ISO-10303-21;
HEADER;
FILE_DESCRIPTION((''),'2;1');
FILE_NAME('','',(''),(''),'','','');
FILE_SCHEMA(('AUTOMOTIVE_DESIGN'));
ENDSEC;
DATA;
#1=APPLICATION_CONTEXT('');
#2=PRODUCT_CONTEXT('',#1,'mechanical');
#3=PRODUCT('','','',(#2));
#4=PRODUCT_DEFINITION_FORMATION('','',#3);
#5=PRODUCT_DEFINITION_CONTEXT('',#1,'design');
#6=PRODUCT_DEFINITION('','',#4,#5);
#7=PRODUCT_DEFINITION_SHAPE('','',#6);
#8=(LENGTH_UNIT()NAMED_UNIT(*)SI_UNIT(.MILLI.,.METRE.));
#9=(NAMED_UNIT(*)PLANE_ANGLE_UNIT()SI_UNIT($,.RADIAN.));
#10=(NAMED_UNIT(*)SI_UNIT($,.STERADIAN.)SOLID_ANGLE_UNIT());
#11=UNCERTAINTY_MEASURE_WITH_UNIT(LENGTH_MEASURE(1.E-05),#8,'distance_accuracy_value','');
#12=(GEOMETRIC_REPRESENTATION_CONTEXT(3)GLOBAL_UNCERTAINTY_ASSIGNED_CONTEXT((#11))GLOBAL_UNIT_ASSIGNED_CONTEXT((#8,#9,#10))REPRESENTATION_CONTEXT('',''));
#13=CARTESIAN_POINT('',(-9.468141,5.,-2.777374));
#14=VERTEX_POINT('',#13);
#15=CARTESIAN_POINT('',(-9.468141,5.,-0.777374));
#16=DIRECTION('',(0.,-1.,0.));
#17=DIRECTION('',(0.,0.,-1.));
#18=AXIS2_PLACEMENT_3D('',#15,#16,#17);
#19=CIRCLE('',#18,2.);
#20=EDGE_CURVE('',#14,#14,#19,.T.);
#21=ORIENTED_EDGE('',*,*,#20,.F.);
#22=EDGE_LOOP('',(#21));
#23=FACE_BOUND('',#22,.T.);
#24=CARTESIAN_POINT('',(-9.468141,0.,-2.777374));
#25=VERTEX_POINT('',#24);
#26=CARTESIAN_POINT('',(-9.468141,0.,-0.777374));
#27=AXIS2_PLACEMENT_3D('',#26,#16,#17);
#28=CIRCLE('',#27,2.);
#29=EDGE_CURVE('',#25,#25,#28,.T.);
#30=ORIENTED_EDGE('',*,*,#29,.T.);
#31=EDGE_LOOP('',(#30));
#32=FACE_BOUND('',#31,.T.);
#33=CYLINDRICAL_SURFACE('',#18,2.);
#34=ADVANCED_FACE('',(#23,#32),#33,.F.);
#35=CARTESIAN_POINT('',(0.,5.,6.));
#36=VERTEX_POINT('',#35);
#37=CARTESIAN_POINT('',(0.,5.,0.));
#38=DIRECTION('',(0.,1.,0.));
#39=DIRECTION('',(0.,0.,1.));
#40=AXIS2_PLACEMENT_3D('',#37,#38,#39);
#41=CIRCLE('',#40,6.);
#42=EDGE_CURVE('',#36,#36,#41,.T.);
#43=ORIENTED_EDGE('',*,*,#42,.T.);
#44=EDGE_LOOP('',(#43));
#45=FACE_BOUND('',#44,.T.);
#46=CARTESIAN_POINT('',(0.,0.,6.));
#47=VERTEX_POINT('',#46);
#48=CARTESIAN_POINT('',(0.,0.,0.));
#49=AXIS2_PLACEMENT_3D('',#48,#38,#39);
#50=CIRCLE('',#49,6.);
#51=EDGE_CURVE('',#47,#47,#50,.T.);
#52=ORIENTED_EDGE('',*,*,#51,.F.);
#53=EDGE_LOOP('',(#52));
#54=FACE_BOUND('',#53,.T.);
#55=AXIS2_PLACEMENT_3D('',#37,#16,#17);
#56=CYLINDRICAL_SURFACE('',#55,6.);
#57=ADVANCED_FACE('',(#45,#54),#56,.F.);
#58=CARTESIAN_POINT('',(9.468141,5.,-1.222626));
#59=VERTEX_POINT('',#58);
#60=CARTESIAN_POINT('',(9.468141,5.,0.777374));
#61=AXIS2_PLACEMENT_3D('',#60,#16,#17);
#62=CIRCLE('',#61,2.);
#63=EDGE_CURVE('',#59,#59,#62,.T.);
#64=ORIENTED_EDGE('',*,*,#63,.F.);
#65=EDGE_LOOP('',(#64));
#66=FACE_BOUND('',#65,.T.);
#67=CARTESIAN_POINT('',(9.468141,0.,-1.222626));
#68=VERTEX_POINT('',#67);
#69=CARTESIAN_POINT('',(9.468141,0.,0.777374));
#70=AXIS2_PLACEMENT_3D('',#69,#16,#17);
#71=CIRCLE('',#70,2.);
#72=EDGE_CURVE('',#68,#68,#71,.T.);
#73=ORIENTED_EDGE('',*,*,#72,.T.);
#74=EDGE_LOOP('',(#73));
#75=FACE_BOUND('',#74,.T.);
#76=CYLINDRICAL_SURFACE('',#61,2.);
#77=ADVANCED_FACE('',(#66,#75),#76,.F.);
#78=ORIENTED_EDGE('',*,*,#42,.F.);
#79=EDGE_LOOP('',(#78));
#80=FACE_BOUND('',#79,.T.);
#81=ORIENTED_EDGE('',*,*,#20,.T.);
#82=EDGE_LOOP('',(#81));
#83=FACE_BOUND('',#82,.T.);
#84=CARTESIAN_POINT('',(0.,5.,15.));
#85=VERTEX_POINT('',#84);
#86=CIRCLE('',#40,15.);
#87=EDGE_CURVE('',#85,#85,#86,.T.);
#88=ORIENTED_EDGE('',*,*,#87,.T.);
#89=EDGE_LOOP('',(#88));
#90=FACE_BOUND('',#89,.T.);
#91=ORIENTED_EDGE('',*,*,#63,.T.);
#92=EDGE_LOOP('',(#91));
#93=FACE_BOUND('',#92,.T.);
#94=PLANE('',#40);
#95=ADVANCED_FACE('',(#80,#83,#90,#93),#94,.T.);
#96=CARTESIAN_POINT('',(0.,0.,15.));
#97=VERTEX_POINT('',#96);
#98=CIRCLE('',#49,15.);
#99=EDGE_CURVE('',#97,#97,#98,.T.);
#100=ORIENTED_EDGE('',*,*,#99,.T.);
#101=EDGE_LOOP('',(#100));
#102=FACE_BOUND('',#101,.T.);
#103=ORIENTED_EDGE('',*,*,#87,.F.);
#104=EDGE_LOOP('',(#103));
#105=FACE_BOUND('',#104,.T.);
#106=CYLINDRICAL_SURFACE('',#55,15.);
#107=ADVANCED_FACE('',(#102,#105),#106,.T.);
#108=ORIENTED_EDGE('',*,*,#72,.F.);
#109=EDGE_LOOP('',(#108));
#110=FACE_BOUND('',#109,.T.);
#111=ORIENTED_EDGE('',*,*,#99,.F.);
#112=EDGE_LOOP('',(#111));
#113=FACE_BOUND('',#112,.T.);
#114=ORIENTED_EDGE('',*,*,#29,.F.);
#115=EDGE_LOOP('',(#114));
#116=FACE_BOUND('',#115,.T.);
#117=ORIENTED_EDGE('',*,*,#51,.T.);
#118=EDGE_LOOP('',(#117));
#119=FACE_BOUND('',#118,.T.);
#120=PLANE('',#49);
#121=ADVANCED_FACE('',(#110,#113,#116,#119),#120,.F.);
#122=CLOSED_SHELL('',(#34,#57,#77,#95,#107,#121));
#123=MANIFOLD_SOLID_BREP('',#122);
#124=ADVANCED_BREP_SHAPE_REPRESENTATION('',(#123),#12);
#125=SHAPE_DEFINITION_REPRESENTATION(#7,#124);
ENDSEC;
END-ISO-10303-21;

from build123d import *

# Parameters (mm, degrees)
SKETCH1_R           = 15
SKETCH1_R_2         = 6
BOSS_EXTRUDE1_DEPTH = 5
SKETCH2_R           = 2
CUT_EXTRUDE1_DEPTH  = 22.794494718


with BuildPart() as part:
    # Sketch1 → Boss-Extrude1 (new body)
    with BuildSketch(Plane(origin=(0, 0, 0), x_dir=(1, 0, 0), z_dir=(0, 1, 0))):
        with Locations(Location((0, 0, 0), (0, 0, 270))):
            Circle(SKETCH1_R)
        with Locations(Location((0, 0, 0), (0, 0, 270))):
            Circle(SKETCH1_R_2, mode=Mode.SUBTRACT)
    extrude(amount=BOSS_EXTRUDE1_DEPTH)

    # Sketch2 → Cut-Extrude1 (cut, through all)
    with BuildSketch(Plane.XZ):
        with Locations(Location((-9.468140802, -0.77737362, 0), (0, 0, 270))):
            Circle(SKETCH2_R)
        with Locations(Location((9.468140802, 0.77737362, 0), (0, 0, 270))):
            Circle(SKETCH2_R)
    extrude(amount=-CUT_EXTRUDE1_DEPTH, mode=Mode.SUBTRACT)


solid = part.part
